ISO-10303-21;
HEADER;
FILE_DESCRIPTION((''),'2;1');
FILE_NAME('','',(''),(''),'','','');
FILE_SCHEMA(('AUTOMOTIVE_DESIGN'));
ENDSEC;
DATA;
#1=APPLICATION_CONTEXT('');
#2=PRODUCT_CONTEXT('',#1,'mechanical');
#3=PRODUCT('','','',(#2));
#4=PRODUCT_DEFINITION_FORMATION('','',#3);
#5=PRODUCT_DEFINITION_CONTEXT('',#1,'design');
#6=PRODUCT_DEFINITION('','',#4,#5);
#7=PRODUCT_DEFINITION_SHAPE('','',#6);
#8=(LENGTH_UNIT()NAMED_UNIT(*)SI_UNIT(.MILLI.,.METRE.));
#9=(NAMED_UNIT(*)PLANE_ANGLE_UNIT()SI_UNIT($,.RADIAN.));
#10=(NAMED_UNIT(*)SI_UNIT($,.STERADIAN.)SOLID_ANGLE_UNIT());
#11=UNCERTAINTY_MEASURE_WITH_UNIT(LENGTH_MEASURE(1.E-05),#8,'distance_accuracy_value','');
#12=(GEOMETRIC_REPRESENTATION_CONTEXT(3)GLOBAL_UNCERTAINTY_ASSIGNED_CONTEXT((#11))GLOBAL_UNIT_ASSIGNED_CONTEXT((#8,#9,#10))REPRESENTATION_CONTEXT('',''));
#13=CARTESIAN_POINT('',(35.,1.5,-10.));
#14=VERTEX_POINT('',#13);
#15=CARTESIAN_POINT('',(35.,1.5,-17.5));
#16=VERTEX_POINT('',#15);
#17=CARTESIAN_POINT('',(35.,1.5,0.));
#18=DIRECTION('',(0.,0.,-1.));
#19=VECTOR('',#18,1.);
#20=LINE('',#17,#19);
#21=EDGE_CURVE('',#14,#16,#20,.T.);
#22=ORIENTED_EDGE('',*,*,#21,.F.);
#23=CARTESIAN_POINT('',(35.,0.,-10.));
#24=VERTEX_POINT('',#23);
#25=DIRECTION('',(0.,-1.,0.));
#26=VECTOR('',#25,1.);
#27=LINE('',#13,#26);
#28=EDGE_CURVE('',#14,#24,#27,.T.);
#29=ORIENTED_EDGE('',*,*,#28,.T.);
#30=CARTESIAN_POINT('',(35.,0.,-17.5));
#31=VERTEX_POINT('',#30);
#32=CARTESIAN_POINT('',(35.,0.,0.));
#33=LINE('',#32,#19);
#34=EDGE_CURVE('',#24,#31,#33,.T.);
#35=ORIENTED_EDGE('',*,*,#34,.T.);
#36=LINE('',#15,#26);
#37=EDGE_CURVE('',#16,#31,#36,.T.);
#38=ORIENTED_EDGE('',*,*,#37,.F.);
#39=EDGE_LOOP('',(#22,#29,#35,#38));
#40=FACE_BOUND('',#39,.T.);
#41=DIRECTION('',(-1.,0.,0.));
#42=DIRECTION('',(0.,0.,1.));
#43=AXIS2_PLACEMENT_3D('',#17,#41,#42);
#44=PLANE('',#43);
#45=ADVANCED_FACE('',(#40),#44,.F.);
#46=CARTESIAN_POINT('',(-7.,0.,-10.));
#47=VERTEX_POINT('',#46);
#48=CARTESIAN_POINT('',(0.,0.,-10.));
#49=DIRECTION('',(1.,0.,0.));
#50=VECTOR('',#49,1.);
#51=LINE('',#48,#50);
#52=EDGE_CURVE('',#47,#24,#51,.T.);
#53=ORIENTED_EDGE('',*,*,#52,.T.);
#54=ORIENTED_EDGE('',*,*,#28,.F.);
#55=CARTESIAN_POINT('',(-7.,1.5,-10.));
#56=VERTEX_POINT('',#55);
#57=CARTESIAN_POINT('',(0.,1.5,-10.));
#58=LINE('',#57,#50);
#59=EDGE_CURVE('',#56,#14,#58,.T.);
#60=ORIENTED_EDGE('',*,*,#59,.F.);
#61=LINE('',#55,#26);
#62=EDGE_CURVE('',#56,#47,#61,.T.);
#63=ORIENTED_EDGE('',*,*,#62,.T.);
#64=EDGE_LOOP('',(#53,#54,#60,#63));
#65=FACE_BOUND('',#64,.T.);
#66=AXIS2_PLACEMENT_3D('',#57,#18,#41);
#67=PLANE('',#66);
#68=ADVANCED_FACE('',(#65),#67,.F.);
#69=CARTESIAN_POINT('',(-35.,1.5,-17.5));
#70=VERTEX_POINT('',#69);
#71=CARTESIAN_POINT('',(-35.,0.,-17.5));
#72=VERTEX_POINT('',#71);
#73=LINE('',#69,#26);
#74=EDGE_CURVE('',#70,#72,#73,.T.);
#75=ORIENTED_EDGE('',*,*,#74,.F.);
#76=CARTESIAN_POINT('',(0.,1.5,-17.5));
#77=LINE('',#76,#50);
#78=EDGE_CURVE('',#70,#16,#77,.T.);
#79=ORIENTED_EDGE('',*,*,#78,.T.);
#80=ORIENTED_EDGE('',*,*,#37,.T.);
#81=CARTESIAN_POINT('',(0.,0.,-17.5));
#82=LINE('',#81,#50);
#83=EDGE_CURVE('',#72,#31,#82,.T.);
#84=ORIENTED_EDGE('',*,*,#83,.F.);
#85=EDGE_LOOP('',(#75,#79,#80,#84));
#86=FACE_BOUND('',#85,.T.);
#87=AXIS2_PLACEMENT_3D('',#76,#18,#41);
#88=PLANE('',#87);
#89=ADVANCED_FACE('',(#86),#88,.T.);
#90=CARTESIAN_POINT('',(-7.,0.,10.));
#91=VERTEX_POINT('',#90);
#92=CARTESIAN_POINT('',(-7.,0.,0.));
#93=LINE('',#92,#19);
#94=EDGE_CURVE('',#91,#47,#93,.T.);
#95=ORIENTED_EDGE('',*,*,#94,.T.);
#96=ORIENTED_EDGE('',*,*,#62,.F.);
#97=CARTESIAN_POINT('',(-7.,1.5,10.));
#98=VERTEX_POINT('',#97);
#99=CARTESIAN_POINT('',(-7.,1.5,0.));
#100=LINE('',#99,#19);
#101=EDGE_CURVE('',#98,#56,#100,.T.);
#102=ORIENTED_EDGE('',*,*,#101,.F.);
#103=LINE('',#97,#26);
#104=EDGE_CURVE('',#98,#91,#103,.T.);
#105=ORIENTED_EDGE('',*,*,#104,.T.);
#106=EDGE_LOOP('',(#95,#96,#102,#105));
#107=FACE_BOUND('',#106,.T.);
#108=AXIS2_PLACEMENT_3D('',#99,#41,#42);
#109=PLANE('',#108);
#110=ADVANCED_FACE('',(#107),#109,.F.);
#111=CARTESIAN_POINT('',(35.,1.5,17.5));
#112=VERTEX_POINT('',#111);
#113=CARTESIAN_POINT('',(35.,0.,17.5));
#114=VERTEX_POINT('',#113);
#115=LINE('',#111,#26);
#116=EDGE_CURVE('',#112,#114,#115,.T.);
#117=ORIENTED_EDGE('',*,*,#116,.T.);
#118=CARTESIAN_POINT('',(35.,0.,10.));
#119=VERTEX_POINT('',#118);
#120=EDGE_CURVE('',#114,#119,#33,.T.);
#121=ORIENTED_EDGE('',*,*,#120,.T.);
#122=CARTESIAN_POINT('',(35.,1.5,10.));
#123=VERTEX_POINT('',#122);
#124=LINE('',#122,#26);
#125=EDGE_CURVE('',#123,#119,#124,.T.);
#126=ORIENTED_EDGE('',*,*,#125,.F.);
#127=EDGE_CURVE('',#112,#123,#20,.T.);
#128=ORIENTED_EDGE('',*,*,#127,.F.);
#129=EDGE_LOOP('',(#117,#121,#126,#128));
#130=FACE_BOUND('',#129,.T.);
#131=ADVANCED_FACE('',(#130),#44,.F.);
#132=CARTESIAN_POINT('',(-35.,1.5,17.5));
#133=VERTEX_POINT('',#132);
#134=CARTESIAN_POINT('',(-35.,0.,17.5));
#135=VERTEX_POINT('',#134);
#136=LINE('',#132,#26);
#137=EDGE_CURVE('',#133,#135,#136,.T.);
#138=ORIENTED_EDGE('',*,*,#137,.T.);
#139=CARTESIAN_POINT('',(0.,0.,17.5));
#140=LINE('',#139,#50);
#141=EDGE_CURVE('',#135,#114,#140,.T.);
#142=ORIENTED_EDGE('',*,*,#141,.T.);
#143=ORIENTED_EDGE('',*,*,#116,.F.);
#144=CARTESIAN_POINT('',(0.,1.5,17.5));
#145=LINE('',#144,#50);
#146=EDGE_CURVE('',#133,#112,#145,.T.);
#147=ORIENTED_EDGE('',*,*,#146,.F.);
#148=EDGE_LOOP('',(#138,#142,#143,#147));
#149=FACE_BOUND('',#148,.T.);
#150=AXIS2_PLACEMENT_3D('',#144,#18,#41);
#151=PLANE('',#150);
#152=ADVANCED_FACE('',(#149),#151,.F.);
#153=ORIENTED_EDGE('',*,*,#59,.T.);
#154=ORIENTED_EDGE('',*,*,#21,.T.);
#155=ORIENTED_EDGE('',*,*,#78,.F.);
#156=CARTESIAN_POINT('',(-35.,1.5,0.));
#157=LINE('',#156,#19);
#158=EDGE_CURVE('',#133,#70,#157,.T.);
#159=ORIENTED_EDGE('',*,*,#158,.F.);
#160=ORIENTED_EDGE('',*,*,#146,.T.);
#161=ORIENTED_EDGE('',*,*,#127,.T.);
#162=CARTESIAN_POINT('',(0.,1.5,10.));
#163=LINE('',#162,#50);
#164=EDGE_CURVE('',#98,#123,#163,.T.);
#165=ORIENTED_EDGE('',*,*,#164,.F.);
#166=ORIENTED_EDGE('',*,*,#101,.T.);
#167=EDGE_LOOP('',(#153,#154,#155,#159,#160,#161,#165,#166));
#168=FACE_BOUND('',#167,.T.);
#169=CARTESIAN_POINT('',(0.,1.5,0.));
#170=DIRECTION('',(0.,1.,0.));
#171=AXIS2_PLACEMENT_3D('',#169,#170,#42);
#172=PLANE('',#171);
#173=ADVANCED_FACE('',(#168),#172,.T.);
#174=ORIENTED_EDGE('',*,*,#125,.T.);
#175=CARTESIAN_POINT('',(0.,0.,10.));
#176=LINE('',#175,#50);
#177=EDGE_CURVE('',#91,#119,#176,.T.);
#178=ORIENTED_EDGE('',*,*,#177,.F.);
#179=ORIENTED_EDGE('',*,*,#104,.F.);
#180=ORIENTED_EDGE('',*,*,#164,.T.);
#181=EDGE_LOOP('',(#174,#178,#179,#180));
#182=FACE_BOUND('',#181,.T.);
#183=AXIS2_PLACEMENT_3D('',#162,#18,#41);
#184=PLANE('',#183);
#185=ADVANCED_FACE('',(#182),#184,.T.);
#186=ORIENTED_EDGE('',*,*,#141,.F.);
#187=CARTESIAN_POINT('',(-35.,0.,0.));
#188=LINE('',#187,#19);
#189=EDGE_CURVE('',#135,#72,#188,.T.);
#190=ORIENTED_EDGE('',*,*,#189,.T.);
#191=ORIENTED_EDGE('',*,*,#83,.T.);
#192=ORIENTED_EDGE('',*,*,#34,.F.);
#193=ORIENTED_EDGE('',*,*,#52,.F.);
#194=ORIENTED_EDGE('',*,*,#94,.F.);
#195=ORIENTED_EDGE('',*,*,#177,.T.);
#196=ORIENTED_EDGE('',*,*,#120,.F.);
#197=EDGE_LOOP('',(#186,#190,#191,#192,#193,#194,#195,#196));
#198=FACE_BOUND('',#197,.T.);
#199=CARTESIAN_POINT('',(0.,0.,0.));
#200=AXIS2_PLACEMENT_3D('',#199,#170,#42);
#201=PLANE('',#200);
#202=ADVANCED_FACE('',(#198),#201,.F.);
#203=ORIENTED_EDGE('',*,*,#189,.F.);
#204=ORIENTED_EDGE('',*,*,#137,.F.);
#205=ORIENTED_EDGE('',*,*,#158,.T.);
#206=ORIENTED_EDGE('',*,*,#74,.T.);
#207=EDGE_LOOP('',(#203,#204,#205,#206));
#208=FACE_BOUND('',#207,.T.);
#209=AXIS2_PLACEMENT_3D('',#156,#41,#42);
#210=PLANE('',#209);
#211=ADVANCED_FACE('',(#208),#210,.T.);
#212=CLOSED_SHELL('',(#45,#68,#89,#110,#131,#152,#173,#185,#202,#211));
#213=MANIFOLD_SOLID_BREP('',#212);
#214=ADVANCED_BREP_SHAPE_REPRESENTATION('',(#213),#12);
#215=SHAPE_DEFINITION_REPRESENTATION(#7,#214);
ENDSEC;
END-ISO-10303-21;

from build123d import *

# Parameters (mm, degrees)
BOSS_EXTRUDE1_DEPTH = 1.5


with BuildPart() as part:
    # Sketch1 → Boss-Extrude1 (new body)
    with BuildSketch(Plane(origin=(0, 0, 0), x_dir=(1, 0, 0), z_dir=(0, 1, 0))):
        Polygon((-35, 17.5), (-35, -17.5), (35, -17.5), (35, -10), (-7, -10), (-7, 10), (35, 10), (35, 17.5), align=None)
    extrude(amount=BOSS_EXTRUDE1_DEPTH)


solid = part.part
